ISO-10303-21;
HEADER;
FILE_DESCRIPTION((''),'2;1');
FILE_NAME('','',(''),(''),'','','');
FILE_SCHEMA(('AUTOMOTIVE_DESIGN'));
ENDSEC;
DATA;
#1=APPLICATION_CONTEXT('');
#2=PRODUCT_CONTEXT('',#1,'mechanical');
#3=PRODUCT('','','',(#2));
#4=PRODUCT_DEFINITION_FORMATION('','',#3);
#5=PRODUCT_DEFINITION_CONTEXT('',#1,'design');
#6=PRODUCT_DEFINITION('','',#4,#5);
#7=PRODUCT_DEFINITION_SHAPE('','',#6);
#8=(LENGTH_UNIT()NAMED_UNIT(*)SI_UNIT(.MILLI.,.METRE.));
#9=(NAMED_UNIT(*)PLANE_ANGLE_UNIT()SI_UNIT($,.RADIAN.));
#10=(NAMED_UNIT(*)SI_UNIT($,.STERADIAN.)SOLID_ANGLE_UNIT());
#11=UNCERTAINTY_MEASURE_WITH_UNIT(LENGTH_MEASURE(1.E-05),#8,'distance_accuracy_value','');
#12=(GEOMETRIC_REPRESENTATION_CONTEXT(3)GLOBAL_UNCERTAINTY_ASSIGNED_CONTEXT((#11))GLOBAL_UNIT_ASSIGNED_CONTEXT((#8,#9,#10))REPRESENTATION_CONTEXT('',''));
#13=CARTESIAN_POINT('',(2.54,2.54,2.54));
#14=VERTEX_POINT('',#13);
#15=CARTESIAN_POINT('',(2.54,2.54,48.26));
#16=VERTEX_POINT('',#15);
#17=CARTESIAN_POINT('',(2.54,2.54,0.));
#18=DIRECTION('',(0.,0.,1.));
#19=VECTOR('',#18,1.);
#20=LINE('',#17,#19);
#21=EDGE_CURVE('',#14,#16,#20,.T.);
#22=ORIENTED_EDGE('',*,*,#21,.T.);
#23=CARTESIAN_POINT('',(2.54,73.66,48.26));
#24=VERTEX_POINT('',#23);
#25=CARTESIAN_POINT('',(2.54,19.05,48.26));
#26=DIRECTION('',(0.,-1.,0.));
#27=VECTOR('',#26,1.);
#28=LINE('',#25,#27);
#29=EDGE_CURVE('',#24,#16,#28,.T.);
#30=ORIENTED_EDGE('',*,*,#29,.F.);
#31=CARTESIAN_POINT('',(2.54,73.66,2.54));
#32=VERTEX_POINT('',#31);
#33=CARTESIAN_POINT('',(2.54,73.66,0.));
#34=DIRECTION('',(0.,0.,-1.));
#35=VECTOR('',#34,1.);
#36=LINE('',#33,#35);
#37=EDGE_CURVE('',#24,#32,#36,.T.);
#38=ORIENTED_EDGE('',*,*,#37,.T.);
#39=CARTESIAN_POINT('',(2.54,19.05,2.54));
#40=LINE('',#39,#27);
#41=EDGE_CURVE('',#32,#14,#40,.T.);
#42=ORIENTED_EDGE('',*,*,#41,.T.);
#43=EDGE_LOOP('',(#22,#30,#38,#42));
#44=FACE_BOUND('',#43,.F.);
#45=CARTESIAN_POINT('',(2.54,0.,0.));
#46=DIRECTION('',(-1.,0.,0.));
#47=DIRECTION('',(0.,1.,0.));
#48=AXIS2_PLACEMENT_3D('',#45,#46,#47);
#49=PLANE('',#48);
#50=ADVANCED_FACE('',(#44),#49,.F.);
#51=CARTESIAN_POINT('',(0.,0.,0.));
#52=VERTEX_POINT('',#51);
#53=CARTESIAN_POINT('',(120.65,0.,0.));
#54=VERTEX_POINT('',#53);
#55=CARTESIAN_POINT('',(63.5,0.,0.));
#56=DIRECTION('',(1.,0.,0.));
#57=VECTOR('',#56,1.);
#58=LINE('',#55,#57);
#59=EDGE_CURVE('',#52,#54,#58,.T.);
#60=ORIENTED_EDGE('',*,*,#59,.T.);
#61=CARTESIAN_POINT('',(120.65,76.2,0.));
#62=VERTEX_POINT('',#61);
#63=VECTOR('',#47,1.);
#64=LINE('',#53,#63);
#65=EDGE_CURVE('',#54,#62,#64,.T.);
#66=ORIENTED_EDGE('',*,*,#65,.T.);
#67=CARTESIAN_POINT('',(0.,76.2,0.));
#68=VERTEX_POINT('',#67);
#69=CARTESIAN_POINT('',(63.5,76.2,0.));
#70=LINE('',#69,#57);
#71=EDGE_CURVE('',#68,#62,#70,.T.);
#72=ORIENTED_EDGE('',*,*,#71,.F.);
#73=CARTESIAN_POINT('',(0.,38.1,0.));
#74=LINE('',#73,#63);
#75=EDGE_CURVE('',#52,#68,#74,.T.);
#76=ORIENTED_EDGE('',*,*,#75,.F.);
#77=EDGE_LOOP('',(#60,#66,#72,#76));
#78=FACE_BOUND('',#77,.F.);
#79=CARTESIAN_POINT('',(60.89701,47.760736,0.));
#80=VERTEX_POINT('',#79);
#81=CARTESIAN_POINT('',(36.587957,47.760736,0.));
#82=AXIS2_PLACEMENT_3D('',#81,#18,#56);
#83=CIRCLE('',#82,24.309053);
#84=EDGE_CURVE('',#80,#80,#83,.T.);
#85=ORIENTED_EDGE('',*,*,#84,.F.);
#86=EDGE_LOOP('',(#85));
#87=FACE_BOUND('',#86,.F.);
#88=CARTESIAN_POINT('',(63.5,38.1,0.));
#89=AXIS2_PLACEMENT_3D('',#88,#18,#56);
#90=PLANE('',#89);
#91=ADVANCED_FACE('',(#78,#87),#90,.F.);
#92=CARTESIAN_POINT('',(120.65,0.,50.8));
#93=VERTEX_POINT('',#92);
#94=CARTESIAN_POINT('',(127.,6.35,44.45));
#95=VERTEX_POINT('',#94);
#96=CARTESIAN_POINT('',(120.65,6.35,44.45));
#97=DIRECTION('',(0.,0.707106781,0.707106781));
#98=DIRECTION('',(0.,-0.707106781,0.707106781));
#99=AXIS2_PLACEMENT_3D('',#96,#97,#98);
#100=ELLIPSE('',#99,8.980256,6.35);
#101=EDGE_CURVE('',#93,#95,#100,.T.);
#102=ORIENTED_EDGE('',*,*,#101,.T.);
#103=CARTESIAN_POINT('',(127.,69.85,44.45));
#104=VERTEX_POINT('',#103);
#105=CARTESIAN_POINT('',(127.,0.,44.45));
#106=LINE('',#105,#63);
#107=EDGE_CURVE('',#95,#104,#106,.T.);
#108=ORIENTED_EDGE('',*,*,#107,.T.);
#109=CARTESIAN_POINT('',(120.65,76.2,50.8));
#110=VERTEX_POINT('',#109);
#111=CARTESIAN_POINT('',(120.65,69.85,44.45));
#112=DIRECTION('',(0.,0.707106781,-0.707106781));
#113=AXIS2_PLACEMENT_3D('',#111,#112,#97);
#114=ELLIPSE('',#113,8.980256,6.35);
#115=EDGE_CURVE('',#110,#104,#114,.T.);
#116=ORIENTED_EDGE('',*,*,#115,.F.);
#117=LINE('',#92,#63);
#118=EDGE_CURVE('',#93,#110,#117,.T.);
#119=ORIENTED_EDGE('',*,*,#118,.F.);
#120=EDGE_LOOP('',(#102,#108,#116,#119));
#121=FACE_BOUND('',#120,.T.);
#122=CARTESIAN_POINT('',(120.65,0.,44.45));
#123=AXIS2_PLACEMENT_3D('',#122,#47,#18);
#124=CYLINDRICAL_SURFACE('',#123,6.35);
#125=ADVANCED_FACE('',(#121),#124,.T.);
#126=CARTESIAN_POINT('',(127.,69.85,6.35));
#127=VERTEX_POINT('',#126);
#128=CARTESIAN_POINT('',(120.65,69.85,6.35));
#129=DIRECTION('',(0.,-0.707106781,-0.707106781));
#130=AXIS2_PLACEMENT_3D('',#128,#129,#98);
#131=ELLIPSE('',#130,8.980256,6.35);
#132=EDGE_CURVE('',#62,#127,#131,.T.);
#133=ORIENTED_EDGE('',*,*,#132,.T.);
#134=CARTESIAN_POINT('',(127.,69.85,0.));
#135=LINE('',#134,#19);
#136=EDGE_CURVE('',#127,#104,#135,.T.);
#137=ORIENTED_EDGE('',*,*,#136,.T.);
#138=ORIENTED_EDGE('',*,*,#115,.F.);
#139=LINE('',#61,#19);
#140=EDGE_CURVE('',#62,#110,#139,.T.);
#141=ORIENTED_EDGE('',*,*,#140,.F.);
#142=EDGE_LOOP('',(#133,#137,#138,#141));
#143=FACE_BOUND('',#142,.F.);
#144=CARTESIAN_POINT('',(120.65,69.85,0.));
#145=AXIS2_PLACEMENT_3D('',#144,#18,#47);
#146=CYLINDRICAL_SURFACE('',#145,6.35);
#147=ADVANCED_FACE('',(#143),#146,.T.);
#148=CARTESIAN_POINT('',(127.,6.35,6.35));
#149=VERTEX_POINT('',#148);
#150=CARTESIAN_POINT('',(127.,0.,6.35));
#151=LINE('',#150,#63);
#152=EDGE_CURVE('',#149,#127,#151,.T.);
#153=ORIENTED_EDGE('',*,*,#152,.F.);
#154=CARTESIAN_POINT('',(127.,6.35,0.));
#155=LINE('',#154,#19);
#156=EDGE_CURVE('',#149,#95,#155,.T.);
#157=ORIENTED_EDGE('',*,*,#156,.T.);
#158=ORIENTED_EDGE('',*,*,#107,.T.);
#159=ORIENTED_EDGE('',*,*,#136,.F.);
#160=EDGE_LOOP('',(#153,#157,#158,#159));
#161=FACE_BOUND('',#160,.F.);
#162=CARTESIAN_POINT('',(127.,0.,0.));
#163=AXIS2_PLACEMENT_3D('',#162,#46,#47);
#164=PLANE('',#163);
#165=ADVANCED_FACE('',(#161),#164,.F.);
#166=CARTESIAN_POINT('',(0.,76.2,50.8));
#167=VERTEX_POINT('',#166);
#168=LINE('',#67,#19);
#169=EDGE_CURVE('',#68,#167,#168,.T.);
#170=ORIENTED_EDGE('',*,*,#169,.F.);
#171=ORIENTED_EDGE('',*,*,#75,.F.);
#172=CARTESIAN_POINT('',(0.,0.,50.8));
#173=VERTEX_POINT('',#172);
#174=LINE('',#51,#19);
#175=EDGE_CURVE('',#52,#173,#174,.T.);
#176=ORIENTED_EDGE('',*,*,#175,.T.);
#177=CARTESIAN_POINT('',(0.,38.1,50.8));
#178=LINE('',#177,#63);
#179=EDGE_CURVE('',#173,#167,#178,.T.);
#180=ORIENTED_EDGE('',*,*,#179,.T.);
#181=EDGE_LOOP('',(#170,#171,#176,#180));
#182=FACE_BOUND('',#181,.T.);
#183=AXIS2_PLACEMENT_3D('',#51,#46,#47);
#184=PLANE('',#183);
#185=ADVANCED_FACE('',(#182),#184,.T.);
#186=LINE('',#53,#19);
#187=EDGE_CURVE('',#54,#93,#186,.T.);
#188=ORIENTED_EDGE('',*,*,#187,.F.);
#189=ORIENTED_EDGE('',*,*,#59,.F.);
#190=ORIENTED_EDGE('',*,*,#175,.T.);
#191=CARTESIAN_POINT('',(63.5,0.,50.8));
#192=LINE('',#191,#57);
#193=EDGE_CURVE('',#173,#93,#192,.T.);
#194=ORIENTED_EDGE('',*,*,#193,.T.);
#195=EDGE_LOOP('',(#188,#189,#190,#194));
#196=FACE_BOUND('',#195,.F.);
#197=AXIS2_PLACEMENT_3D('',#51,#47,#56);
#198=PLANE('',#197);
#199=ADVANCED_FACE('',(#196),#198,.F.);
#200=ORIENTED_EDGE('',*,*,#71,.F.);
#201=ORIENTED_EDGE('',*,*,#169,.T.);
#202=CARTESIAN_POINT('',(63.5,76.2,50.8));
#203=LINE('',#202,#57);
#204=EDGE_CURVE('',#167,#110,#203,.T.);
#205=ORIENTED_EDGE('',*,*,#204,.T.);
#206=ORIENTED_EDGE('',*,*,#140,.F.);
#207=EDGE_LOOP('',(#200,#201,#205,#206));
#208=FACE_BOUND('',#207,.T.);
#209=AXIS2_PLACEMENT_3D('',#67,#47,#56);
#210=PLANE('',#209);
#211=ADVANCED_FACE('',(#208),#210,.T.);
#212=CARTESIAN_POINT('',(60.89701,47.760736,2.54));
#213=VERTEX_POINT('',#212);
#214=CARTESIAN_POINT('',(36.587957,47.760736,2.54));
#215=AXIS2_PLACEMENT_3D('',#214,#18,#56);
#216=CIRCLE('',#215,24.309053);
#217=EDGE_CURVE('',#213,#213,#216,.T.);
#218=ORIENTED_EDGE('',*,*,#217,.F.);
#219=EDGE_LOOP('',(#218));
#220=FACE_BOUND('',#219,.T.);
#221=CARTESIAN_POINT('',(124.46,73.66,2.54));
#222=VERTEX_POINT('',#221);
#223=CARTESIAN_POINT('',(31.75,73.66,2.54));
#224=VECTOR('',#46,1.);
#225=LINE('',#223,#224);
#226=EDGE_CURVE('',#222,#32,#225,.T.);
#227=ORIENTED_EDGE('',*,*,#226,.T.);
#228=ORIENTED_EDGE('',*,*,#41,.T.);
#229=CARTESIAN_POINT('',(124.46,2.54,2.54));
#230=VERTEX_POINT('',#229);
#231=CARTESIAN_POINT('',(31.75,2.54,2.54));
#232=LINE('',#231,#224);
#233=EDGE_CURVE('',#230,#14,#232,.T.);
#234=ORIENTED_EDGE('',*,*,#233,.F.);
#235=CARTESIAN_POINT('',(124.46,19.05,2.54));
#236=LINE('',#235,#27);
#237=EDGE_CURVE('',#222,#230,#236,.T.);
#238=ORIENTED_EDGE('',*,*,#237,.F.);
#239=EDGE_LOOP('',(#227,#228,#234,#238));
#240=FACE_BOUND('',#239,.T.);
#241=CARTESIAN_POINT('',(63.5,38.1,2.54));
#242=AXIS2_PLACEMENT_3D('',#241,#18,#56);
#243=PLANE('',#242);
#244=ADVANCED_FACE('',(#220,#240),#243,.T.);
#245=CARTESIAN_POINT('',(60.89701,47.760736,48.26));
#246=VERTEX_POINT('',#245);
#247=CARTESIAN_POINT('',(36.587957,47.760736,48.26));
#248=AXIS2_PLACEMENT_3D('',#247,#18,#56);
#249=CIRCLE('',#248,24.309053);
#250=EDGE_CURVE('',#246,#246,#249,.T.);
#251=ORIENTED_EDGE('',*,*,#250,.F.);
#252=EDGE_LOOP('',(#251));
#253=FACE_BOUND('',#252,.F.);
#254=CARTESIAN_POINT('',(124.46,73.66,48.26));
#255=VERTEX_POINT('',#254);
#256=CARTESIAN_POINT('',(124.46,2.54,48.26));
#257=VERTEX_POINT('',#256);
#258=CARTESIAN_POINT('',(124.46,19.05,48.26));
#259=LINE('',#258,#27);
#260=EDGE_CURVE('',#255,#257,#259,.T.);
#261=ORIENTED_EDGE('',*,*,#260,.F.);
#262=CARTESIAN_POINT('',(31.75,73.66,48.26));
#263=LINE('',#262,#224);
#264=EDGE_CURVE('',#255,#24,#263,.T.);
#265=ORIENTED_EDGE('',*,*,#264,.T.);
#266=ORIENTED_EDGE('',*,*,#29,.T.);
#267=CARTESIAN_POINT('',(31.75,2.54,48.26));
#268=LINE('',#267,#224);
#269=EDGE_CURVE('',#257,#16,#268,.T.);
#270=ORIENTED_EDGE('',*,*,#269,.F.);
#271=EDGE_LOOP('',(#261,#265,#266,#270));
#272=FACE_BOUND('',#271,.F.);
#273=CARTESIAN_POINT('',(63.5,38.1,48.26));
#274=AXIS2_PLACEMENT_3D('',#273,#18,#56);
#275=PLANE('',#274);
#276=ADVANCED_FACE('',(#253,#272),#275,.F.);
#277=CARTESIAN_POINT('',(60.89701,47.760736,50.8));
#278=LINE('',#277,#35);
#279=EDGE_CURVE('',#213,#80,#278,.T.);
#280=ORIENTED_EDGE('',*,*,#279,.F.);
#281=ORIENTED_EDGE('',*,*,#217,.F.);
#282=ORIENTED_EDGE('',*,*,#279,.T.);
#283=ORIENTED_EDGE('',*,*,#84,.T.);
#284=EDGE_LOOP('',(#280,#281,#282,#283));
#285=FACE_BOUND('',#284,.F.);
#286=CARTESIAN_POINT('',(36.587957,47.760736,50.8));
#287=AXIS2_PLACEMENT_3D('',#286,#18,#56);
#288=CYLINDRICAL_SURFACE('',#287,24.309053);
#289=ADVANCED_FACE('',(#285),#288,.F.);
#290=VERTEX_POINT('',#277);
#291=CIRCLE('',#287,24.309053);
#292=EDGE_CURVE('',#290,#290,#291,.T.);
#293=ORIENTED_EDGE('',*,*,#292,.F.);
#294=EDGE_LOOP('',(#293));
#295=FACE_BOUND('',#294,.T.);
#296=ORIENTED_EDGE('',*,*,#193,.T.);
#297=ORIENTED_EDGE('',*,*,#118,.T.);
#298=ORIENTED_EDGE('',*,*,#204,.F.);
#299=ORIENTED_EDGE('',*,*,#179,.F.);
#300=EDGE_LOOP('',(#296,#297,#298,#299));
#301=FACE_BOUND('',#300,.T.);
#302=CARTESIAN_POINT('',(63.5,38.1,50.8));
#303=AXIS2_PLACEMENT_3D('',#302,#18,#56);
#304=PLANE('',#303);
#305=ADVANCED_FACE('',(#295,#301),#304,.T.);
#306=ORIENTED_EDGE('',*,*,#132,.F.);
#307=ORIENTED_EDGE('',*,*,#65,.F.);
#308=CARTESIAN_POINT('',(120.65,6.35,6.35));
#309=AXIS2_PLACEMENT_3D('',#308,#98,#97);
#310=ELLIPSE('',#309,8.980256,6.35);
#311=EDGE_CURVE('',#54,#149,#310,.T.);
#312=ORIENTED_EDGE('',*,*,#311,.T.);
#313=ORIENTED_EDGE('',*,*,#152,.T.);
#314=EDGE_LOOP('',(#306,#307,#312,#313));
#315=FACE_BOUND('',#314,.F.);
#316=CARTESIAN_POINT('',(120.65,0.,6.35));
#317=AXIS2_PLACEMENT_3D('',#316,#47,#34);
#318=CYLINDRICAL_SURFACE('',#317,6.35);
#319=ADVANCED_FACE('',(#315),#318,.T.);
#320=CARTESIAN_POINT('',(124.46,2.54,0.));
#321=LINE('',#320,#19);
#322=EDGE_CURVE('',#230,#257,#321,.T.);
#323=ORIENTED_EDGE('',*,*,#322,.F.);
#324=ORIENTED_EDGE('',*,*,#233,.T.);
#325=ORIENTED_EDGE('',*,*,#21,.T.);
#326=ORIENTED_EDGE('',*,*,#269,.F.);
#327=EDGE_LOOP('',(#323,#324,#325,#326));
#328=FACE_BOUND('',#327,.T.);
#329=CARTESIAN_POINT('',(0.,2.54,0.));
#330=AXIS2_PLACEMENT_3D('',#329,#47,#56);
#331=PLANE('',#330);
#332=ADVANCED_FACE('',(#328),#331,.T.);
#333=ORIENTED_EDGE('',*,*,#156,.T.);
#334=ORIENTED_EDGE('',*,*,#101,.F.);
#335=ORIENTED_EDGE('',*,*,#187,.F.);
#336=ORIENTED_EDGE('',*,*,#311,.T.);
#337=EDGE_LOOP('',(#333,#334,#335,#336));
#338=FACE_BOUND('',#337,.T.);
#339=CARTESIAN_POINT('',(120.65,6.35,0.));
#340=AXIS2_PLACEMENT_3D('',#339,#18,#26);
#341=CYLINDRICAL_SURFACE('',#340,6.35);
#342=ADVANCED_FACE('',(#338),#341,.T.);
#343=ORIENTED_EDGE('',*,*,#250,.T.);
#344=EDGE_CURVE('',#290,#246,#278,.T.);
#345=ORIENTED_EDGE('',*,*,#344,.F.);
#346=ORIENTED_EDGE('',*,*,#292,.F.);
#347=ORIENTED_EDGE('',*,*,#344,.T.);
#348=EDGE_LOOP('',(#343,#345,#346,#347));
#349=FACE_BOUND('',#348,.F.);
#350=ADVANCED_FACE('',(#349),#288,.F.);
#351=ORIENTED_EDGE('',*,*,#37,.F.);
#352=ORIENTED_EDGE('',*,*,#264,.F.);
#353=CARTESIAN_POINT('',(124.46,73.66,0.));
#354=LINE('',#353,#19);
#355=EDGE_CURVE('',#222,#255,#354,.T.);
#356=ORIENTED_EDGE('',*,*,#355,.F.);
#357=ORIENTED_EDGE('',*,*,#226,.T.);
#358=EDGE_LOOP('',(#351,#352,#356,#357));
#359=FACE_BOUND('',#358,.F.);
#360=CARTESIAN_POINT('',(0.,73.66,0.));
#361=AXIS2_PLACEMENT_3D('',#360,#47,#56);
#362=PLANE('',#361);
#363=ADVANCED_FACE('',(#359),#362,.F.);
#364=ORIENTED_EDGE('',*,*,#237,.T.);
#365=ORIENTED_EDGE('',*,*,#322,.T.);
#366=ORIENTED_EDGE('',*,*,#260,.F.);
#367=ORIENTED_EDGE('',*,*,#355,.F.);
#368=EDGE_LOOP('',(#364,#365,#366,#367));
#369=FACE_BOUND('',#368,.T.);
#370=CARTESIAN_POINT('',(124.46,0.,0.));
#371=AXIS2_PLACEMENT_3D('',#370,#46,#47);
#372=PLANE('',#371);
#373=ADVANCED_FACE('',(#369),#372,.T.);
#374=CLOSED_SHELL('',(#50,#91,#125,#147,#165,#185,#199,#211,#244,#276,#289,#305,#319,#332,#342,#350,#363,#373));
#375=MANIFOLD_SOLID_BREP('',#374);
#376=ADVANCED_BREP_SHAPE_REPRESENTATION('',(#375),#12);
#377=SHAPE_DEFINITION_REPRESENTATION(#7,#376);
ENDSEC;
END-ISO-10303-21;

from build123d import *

# Parameters (mm, degrees)
F0_W     = 127
F0_H     = 76.2
F1_DEPTH = 50.8
F2_R     = 24.309053
F3_DEPTH = 50.801
F4_T     = -2.54
F5_R     = 6.35


with BuildPart() as f1:
    # F0 (on Top) → F1 (new body)
    with BuildSketch(Plane.XY):
        with Locations((63.5, 38.1)):
            Rectangle(F0_W, F0_H)
    extrude(amount=F1_DEPTH)

    # F2 (on face) → F3 (cut, through all)
    with BuildSketch(Plane.XY.offset(50.8)):
        with Locations((36.587957, 47.760736)):
            Circle(F2_R)
    extrude(amount=-F3_DEPTH, mode=Mode.SUBTRACT)

    # F4
    f4_openings = [f1.faces().sort_by_distance(p)[0] for p in [
        (12.278904, 47.760736, 25.4),
    ]]
    offset(amount=F4_T, openings=f4_openings)

    # F5
    f5_edges = [f1.edges().sort_by_distance(p)[0] for p in [
        (127, 76.2, 25.4),
        (127, 38.1, 0),
        (127, 0, 25.4),
        (127, 38.1, 50.8),
    ]]
    fillet(f5_edges, radius=F5_R)


solid = f1.part
